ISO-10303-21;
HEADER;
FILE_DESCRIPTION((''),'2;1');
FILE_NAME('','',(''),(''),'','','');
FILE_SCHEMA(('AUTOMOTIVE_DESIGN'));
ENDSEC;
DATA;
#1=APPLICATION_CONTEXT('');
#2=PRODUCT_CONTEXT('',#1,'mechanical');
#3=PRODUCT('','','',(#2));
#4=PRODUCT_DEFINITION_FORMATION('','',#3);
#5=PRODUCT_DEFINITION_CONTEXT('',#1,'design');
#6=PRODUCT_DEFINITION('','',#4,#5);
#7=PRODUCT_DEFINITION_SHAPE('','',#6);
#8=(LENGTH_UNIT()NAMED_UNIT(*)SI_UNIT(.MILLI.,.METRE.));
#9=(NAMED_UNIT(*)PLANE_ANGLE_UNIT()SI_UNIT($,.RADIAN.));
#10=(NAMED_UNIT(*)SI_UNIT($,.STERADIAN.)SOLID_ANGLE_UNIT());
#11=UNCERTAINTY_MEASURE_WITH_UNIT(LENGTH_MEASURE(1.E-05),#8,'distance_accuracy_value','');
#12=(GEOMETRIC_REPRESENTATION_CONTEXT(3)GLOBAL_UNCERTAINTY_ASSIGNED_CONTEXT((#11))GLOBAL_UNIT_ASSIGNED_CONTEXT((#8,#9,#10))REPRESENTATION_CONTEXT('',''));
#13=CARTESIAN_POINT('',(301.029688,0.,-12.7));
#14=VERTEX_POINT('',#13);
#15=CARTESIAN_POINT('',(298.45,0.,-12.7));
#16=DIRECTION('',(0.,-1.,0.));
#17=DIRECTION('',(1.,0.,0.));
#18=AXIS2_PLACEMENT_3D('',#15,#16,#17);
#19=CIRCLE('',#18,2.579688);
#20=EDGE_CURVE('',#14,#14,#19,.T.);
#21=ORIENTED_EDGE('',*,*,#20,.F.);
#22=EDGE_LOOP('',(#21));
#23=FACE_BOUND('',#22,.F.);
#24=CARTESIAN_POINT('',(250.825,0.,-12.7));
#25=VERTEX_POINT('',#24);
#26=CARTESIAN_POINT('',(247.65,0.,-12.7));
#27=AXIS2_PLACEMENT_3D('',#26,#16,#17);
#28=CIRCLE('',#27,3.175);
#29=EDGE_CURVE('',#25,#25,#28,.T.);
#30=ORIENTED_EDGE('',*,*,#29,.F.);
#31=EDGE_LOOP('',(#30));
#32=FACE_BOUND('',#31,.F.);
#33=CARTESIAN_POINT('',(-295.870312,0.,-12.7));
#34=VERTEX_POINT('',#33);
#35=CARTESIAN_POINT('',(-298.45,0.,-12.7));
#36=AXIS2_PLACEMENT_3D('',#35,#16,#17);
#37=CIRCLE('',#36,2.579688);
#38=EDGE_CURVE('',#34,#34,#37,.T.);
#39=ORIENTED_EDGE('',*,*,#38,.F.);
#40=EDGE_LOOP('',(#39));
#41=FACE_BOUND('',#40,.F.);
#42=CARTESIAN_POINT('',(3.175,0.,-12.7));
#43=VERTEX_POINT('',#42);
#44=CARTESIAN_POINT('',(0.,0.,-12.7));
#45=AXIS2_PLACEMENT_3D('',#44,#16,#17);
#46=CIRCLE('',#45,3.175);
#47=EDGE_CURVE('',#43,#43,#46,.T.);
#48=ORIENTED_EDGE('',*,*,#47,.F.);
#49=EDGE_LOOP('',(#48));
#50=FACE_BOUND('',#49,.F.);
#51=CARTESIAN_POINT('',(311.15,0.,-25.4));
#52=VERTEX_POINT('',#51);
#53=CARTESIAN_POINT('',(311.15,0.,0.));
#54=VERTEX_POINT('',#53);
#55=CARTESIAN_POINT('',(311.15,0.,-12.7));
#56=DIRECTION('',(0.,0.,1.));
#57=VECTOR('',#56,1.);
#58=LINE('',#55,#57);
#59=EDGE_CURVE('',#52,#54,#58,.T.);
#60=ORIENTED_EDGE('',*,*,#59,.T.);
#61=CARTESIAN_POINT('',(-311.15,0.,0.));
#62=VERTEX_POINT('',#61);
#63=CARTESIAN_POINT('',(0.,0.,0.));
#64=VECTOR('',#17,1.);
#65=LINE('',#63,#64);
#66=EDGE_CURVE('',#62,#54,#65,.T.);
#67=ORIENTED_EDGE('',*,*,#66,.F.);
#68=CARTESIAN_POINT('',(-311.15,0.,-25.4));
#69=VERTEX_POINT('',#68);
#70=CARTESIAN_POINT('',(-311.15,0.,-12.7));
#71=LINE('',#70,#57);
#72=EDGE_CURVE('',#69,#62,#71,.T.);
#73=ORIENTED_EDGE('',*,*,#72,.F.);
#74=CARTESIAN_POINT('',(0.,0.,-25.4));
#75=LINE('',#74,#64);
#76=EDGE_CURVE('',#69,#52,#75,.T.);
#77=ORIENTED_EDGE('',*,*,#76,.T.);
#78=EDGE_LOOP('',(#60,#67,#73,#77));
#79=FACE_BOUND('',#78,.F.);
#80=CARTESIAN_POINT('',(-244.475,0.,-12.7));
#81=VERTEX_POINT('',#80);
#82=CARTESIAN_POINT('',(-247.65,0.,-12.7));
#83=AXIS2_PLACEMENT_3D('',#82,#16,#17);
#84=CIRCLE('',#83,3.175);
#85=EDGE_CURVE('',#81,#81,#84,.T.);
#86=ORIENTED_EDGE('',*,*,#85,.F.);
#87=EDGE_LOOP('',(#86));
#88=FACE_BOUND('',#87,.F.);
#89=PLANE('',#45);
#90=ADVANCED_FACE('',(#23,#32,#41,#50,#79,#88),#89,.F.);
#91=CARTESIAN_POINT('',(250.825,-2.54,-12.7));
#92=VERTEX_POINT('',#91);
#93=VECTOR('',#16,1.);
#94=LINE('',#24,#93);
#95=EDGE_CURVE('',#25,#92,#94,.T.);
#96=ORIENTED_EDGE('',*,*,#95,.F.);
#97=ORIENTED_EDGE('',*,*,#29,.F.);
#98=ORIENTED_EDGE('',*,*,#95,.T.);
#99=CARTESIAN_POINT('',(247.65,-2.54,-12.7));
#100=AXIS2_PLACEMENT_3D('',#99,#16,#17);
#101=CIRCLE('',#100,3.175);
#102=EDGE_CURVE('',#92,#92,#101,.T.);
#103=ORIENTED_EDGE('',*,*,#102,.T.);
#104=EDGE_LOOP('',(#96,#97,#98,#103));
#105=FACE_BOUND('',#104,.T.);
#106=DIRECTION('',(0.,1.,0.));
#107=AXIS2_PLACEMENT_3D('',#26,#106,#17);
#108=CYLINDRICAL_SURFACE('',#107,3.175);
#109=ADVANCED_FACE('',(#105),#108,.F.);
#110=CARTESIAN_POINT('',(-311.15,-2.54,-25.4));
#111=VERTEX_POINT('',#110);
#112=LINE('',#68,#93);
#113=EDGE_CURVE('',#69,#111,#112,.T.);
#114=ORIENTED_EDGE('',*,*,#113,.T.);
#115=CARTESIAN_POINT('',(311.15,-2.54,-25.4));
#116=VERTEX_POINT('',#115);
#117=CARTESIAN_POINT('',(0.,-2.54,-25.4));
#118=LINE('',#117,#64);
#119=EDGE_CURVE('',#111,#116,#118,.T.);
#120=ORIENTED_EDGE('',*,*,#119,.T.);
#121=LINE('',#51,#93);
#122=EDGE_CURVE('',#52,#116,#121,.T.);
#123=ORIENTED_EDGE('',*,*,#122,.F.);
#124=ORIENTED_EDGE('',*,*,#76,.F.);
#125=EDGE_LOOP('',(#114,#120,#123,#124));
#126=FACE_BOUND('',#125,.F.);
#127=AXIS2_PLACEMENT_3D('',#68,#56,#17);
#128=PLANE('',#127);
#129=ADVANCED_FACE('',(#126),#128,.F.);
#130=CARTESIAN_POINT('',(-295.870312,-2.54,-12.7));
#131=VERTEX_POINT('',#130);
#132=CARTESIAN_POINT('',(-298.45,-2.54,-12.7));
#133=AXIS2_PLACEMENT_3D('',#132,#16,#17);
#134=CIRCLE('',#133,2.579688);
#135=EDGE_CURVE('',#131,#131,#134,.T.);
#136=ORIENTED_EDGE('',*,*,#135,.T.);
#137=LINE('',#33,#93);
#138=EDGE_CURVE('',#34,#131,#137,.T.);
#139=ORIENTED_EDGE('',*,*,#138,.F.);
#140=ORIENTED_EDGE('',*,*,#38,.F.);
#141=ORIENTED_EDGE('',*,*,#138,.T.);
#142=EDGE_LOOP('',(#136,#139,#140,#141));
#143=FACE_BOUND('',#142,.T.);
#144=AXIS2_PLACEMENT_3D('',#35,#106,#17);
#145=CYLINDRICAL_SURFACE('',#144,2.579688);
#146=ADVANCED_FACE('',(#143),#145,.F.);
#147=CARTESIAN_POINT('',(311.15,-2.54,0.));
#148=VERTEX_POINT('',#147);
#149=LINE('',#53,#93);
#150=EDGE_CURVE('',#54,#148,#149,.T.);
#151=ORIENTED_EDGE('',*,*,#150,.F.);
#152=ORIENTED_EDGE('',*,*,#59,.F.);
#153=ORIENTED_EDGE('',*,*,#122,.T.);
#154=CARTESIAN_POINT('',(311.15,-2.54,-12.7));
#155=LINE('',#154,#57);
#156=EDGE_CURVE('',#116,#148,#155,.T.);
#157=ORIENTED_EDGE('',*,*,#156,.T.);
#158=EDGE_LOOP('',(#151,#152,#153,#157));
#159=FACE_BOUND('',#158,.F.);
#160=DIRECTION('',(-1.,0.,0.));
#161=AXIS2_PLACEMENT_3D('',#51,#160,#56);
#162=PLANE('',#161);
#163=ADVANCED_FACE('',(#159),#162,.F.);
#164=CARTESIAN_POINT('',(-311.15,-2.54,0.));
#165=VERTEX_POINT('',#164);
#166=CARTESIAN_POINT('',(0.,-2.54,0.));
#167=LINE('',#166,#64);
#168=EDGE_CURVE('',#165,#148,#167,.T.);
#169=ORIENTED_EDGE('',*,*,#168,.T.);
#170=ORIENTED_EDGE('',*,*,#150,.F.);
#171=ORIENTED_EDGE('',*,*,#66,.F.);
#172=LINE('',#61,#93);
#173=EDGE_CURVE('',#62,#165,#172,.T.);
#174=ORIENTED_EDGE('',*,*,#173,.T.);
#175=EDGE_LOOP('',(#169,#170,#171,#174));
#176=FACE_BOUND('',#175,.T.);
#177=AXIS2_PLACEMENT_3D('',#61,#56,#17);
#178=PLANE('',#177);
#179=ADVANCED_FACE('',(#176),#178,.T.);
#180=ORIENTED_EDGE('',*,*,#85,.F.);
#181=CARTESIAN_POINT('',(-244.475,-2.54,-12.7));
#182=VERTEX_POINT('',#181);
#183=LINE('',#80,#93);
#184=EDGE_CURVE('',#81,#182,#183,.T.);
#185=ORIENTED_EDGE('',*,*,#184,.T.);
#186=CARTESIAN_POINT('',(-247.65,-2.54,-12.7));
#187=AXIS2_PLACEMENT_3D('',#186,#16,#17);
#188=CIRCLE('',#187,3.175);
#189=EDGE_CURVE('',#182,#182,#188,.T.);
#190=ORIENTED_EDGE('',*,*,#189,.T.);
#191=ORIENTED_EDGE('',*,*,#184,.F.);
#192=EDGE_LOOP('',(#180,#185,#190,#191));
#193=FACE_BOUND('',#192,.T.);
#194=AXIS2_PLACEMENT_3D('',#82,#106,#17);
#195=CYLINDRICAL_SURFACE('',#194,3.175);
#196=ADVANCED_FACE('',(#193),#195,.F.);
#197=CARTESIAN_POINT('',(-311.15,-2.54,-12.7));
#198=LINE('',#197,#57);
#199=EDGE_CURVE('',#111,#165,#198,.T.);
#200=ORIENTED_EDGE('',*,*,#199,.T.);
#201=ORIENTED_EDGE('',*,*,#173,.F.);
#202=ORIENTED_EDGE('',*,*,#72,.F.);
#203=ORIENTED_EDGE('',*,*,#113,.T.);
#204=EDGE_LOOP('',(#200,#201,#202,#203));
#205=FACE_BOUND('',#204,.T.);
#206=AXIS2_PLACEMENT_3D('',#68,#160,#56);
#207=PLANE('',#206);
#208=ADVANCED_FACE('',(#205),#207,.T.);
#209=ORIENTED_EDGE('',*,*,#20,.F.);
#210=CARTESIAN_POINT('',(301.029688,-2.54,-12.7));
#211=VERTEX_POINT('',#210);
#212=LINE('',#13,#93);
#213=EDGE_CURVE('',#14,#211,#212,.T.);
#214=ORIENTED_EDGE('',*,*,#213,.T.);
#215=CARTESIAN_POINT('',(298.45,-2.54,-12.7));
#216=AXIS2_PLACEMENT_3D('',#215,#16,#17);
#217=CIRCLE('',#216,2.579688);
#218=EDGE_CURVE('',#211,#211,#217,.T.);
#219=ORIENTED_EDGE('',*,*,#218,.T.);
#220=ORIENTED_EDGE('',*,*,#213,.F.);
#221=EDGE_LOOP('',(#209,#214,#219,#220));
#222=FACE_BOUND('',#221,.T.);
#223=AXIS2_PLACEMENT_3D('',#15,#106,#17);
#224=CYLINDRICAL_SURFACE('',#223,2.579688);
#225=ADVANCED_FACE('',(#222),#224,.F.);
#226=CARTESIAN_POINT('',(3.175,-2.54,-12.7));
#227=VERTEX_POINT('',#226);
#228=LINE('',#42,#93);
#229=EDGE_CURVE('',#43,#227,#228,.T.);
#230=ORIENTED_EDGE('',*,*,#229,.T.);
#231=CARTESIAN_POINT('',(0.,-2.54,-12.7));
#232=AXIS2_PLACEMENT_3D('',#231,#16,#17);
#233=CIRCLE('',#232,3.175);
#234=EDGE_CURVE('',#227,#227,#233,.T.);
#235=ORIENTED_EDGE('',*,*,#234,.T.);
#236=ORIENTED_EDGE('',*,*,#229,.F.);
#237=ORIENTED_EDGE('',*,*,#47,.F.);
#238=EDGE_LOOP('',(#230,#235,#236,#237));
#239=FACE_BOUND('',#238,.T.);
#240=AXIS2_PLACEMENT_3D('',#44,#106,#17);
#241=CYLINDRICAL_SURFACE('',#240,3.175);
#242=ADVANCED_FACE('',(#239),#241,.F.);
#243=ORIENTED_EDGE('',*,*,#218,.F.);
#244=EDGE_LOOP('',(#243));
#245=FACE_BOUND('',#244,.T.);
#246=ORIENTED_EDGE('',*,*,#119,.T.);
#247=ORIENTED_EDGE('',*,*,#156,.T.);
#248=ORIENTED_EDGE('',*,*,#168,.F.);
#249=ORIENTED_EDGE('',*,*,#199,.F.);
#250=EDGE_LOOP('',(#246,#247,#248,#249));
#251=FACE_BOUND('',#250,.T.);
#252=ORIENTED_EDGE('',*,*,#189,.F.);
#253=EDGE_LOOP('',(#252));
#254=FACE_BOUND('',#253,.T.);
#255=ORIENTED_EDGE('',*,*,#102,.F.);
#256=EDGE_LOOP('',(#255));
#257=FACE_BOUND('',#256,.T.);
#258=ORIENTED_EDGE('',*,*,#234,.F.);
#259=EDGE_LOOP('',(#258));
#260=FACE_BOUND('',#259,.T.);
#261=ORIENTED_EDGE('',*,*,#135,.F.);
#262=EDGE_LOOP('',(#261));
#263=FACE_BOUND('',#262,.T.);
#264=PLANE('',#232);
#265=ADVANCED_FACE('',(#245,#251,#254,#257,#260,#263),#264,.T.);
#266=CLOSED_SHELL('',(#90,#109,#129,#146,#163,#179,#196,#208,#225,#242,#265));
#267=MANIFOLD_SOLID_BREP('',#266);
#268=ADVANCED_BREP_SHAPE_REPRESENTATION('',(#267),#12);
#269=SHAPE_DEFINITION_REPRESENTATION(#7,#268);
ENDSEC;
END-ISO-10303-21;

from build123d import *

# Parameters (mm, degrees)
F0_W     = 622.3
F0_H     = 25.4
F0_R     = 2.579688
F0_R_2   = 3.175
F1_DEPTH = 2.54


with BuildPart() as f1:
    # F0 (on Front) → F1 (new body)
    with BuildSketch(Plane.XZ):
        with Locations((0, -12.7)):
            Rectangle(F0_W, F0_H)
        with Locations((-298.45, -12.7)):
            Circle(F0_R, mode=Mode.SUBTRACT)
        with Locations((-247.65, -12.7)):
            Circle(F0_R_2, mode=Mode.SUBTRACT)
        with Locations((0, -12.7)):
            Circle(F0_R_2, mode=Mode.SUBTRACT)
        with Locations((247.65, -12.7)):
            Circle(F0_R_2, mode=Mode.SUBTRACT)
        with Locations((298.45, -12.7)):
            Circle(F0_R, mode=Mode.SUBTRACT)
    extrude(amount=F1_DEPTH)


solid = f1.part
